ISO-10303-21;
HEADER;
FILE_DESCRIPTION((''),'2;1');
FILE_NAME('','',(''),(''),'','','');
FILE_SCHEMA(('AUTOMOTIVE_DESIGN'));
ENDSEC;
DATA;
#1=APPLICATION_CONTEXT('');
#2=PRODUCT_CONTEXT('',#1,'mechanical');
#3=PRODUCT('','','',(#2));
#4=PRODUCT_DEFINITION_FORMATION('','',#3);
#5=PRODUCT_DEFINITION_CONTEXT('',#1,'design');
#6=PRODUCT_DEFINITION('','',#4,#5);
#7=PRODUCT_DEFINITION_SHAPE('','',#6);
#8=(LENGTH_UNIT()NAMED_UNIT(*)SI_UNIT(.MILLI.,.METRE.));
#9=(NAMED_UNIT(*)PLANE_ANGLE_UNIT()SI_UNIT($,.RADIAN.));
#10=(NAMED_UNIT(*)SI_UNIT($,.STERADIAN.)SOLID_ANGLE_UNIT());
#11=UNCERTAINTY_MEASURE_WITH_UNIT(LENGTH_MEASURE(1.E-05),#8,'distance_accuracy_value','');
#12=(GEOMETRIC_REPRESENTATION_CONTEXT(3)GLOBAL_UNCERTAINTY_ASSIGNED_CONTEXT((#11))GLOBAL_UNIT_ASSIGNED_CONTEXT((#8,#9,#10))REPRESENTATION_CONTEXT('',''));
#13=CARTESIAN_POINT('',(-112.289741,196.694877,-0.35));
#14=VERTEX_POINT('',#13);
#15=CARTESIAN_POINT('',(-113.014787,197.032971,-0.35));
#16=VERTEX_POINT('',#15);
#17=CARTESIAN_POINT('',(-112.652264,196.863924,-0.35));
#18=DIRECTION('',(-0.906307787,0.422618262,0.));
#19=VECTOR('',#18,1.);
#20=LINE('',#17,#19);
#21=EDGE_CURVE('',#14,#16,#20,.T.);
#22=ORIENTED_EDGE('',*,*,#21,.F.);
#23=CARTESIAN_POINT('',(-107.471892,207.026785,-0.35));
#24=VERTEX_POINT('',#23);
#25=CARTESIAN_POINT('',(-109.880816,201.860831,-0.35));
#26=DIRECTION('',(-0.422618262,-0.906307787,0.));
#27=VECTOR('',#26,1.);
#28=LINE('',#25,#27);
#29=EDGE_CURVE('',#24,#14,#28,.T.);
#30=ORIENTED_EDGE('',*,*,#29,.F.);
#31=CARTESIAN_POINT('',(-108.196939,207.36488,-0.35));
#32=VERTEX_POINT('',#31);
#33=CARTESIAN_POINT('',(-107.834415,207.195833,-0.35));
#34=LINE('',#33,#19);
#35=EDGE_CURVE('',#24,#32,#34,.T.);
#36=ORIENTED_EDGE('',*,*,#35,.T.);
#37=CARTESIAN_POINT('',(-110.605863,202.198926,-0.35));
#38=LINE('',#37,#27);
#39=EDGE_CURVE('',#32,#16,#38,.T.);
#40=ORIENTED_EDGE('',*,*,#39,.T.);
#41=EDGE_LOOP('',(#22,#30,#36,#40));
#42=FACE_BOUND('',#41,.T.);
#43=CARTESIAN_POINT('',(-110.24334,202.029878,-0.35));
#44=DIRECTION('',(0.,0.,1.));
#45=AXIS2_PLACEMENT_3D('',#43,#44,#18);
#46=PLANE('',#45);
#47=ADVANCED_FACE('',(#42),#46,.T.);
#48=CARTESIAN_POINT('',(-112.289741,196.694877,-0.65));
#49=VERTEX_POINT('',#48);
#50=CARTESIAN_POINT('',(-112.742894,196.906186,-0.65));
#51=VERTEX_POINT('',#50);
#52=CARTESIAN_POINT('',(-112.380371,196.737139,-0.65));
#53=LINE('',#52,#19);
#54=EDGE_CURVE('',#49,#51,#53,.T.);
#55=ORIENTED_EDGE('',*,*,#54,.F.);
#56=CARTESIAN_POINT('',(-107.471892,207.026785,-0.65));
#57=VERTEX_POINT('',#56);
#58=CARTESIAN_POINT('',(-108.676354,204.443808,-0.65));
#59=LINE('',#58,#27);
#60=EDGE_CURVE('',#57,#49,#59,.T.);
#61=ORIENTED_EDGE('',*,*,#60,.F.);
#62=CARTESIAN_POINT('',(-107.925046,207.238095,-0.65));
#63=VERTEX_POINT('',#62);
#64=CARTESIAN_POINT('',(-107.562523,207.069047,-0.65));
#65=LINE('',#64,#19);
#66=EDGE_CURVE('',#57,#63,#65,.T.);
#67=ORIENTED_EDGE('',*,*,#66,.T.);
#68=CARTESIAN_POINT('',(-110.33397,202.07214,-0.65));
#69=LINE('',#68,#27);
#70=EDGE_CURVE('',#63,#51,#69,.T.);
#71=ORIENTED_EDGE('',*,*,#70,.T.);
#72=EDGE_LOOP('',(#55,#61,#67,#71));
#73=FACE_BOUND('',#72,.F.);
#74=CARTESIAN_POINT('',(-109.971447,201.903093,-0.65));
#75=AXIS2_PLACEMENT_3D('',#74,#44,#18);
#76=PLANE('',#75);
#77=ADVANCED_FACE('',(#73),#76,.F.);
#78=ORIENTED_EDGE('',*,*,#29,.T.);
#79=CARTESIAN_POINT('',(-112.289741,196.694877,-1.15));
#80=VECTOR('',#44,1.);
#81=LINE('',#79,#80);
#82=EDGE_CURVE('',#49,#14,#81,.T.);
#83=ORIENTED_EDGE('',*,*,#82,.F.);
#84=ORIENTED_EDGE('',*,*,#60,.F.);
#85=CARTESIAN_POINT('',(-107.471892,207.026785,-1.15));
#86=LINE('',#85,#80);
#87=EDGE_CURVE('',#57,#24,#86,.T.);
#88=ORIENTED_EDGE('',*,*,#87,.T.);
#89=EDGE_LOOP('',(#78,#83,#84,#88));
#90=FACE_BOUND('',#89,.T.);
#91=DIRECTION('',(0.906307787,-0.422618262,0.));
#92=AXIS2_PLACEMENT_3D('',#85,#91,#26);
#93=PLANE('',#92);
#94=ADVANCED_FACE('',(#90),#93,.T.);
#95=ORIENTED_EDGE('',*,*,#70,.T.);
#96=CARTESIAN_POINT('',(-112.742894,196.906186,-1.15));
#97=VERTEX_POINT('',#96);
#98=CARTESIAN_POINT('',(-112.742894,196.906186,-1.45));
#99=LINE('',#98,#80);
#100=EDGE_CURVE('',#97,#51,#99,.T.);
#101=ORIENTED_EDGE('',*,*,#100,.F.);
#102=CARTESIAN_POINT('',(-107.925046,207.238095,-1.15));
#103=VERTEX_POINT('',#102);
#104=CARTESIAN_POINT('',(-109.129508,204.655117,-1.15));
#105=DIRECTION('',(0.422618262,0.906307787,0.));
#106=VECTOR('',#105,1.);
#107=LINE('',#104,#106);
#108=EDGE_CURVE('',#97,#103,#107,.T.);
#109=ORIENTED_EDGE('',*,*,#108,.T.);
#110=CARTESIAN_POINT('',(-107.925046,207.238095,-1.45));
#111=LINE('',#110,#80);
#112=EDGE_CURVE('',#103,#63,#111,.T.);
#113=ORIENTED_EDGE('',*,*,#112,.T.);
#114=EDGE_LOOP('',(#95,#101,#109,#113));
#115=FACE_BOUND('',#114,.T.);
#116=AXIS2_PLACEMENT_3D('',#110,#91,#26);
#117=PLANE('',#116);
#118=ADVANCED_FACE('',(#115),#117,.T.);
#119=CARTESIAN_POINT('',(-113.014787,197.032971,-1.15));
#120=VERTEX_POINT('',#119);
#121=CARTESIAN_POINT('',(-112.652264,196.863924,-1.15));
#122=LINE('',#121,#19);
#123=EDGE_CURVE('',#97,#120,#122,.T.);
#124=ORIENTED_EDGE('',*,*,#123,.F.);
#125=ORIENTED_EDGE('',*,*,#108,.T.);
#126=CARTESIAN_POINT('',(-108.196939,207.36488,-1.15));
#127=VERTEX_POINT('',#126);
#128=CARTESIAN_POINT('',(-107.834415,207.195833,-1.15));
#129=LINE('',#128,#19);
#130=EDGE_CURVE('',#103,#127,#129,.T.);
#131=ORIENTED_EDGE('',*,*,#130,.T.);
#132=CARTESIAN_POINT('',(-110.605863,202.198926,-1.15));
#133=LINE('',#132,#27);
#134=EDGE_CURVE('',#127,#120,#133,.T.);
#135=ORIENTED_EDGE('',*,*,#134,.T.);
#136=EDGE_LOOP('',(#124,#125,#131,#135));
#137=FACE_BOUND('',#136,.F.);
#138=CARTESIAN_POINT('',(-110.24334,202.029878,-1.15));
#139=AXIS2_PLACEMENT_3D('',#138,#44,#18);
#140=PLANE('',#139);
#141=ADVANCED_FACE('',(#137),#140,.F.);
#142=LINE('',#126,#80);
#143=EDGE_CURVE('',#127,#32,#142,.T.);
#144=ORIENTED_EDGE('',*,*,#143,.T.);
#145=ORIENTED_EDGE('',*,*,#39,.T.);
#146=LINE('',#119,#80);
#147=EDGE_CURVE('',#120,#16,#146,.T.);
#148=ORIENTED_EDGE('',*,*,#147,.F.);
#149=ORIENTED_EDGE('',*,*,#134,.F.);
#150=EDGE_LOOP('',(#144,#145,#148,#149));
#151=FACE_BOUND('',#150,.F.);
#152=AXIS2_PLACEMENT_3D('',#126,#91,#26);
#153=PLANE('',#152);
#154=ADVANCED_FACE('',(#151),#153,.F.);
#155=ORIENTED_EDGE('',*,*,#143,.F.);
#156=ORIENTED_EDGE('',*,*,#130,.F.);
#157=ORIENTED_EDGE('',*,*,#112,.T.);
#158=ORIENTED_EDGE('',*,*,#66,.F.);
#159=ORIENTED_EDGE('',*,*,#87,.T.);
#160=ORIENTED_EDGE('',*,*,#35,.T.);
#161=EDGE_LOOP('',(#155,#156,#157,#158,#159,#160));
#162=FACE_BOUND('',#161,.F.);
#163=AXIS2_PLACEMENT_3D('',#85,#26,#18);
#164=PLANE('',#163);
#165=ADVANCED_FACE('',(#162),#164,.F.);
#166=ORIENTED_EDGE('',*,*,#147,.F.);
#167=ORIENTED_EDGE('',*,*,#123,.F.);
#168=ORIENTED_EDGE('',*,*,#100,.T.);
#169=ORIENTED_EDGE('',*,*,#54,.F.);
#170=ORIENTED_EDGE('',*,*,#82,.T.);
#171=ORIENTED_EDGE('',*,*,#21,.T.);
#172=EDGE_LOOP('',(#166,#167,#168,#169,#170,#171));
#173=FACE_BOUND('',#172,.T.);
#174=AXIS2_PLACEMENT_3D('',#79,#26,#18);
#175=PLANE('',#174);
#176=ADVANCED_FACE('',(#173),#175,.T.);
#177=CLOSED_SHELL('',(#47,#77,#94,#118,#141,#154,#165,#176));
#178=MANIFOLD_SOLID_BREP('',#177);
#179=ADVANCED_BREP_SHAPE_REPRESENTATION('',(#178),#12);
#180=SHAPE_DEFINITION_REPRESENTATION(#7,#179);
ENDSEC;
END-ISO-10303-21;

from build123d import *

# Parameters (mm, degrees)
BOX187_W               = 0.8
BOX187_H               = 11.4
BOX187_DEPTH           = 0.8
BOX188_W               = 0.8
BOX188_H               = 11.4
BOX188_DEPTH           = 0.8
CUT097_PLACEMENT_ANGLE = 155


with BuildPart() as cubo187:
    # Box187 → Box187 (new body)
    with BuildSketch(Plane.XY):
        with Locations((0.4, 5.7)):
            Rectangle(BOX187_W, BOX187_H)
    extrude(amount=BOX187_DEPTH)


with BuildPart() as perfil_l_2da_cara039:
    # Box188 → Box188 (new body)
    with BuildSketch(Plane(origin=(0.3, 0, 0.3), x_dir=(1, 0, 0), z_dir=(0, 0, 1))):
        with Locations((0.4, 5.7)):
            Rectangle(BOX188_W, BOX188_H)
    extrude(amount=BOX188_DEPTH)

    # Cut097: cut Cubo187
    add(cubo187.part, mode=Mode.SUBTRACT)


with BuildPart() as perfil_l_2da_cara039_1:
    # Cut097 placement: moved
    add(perfil_l_2da_cara039.part.moved(Location((-107.2, 206.9, -1.45))).rotate(Axis((-107.2, 206.9, -1.45), (0, 0, 1)), CUT097_PLACEMENT_ANGLE))


solid = perfil_l_2da_cara039_1.part
